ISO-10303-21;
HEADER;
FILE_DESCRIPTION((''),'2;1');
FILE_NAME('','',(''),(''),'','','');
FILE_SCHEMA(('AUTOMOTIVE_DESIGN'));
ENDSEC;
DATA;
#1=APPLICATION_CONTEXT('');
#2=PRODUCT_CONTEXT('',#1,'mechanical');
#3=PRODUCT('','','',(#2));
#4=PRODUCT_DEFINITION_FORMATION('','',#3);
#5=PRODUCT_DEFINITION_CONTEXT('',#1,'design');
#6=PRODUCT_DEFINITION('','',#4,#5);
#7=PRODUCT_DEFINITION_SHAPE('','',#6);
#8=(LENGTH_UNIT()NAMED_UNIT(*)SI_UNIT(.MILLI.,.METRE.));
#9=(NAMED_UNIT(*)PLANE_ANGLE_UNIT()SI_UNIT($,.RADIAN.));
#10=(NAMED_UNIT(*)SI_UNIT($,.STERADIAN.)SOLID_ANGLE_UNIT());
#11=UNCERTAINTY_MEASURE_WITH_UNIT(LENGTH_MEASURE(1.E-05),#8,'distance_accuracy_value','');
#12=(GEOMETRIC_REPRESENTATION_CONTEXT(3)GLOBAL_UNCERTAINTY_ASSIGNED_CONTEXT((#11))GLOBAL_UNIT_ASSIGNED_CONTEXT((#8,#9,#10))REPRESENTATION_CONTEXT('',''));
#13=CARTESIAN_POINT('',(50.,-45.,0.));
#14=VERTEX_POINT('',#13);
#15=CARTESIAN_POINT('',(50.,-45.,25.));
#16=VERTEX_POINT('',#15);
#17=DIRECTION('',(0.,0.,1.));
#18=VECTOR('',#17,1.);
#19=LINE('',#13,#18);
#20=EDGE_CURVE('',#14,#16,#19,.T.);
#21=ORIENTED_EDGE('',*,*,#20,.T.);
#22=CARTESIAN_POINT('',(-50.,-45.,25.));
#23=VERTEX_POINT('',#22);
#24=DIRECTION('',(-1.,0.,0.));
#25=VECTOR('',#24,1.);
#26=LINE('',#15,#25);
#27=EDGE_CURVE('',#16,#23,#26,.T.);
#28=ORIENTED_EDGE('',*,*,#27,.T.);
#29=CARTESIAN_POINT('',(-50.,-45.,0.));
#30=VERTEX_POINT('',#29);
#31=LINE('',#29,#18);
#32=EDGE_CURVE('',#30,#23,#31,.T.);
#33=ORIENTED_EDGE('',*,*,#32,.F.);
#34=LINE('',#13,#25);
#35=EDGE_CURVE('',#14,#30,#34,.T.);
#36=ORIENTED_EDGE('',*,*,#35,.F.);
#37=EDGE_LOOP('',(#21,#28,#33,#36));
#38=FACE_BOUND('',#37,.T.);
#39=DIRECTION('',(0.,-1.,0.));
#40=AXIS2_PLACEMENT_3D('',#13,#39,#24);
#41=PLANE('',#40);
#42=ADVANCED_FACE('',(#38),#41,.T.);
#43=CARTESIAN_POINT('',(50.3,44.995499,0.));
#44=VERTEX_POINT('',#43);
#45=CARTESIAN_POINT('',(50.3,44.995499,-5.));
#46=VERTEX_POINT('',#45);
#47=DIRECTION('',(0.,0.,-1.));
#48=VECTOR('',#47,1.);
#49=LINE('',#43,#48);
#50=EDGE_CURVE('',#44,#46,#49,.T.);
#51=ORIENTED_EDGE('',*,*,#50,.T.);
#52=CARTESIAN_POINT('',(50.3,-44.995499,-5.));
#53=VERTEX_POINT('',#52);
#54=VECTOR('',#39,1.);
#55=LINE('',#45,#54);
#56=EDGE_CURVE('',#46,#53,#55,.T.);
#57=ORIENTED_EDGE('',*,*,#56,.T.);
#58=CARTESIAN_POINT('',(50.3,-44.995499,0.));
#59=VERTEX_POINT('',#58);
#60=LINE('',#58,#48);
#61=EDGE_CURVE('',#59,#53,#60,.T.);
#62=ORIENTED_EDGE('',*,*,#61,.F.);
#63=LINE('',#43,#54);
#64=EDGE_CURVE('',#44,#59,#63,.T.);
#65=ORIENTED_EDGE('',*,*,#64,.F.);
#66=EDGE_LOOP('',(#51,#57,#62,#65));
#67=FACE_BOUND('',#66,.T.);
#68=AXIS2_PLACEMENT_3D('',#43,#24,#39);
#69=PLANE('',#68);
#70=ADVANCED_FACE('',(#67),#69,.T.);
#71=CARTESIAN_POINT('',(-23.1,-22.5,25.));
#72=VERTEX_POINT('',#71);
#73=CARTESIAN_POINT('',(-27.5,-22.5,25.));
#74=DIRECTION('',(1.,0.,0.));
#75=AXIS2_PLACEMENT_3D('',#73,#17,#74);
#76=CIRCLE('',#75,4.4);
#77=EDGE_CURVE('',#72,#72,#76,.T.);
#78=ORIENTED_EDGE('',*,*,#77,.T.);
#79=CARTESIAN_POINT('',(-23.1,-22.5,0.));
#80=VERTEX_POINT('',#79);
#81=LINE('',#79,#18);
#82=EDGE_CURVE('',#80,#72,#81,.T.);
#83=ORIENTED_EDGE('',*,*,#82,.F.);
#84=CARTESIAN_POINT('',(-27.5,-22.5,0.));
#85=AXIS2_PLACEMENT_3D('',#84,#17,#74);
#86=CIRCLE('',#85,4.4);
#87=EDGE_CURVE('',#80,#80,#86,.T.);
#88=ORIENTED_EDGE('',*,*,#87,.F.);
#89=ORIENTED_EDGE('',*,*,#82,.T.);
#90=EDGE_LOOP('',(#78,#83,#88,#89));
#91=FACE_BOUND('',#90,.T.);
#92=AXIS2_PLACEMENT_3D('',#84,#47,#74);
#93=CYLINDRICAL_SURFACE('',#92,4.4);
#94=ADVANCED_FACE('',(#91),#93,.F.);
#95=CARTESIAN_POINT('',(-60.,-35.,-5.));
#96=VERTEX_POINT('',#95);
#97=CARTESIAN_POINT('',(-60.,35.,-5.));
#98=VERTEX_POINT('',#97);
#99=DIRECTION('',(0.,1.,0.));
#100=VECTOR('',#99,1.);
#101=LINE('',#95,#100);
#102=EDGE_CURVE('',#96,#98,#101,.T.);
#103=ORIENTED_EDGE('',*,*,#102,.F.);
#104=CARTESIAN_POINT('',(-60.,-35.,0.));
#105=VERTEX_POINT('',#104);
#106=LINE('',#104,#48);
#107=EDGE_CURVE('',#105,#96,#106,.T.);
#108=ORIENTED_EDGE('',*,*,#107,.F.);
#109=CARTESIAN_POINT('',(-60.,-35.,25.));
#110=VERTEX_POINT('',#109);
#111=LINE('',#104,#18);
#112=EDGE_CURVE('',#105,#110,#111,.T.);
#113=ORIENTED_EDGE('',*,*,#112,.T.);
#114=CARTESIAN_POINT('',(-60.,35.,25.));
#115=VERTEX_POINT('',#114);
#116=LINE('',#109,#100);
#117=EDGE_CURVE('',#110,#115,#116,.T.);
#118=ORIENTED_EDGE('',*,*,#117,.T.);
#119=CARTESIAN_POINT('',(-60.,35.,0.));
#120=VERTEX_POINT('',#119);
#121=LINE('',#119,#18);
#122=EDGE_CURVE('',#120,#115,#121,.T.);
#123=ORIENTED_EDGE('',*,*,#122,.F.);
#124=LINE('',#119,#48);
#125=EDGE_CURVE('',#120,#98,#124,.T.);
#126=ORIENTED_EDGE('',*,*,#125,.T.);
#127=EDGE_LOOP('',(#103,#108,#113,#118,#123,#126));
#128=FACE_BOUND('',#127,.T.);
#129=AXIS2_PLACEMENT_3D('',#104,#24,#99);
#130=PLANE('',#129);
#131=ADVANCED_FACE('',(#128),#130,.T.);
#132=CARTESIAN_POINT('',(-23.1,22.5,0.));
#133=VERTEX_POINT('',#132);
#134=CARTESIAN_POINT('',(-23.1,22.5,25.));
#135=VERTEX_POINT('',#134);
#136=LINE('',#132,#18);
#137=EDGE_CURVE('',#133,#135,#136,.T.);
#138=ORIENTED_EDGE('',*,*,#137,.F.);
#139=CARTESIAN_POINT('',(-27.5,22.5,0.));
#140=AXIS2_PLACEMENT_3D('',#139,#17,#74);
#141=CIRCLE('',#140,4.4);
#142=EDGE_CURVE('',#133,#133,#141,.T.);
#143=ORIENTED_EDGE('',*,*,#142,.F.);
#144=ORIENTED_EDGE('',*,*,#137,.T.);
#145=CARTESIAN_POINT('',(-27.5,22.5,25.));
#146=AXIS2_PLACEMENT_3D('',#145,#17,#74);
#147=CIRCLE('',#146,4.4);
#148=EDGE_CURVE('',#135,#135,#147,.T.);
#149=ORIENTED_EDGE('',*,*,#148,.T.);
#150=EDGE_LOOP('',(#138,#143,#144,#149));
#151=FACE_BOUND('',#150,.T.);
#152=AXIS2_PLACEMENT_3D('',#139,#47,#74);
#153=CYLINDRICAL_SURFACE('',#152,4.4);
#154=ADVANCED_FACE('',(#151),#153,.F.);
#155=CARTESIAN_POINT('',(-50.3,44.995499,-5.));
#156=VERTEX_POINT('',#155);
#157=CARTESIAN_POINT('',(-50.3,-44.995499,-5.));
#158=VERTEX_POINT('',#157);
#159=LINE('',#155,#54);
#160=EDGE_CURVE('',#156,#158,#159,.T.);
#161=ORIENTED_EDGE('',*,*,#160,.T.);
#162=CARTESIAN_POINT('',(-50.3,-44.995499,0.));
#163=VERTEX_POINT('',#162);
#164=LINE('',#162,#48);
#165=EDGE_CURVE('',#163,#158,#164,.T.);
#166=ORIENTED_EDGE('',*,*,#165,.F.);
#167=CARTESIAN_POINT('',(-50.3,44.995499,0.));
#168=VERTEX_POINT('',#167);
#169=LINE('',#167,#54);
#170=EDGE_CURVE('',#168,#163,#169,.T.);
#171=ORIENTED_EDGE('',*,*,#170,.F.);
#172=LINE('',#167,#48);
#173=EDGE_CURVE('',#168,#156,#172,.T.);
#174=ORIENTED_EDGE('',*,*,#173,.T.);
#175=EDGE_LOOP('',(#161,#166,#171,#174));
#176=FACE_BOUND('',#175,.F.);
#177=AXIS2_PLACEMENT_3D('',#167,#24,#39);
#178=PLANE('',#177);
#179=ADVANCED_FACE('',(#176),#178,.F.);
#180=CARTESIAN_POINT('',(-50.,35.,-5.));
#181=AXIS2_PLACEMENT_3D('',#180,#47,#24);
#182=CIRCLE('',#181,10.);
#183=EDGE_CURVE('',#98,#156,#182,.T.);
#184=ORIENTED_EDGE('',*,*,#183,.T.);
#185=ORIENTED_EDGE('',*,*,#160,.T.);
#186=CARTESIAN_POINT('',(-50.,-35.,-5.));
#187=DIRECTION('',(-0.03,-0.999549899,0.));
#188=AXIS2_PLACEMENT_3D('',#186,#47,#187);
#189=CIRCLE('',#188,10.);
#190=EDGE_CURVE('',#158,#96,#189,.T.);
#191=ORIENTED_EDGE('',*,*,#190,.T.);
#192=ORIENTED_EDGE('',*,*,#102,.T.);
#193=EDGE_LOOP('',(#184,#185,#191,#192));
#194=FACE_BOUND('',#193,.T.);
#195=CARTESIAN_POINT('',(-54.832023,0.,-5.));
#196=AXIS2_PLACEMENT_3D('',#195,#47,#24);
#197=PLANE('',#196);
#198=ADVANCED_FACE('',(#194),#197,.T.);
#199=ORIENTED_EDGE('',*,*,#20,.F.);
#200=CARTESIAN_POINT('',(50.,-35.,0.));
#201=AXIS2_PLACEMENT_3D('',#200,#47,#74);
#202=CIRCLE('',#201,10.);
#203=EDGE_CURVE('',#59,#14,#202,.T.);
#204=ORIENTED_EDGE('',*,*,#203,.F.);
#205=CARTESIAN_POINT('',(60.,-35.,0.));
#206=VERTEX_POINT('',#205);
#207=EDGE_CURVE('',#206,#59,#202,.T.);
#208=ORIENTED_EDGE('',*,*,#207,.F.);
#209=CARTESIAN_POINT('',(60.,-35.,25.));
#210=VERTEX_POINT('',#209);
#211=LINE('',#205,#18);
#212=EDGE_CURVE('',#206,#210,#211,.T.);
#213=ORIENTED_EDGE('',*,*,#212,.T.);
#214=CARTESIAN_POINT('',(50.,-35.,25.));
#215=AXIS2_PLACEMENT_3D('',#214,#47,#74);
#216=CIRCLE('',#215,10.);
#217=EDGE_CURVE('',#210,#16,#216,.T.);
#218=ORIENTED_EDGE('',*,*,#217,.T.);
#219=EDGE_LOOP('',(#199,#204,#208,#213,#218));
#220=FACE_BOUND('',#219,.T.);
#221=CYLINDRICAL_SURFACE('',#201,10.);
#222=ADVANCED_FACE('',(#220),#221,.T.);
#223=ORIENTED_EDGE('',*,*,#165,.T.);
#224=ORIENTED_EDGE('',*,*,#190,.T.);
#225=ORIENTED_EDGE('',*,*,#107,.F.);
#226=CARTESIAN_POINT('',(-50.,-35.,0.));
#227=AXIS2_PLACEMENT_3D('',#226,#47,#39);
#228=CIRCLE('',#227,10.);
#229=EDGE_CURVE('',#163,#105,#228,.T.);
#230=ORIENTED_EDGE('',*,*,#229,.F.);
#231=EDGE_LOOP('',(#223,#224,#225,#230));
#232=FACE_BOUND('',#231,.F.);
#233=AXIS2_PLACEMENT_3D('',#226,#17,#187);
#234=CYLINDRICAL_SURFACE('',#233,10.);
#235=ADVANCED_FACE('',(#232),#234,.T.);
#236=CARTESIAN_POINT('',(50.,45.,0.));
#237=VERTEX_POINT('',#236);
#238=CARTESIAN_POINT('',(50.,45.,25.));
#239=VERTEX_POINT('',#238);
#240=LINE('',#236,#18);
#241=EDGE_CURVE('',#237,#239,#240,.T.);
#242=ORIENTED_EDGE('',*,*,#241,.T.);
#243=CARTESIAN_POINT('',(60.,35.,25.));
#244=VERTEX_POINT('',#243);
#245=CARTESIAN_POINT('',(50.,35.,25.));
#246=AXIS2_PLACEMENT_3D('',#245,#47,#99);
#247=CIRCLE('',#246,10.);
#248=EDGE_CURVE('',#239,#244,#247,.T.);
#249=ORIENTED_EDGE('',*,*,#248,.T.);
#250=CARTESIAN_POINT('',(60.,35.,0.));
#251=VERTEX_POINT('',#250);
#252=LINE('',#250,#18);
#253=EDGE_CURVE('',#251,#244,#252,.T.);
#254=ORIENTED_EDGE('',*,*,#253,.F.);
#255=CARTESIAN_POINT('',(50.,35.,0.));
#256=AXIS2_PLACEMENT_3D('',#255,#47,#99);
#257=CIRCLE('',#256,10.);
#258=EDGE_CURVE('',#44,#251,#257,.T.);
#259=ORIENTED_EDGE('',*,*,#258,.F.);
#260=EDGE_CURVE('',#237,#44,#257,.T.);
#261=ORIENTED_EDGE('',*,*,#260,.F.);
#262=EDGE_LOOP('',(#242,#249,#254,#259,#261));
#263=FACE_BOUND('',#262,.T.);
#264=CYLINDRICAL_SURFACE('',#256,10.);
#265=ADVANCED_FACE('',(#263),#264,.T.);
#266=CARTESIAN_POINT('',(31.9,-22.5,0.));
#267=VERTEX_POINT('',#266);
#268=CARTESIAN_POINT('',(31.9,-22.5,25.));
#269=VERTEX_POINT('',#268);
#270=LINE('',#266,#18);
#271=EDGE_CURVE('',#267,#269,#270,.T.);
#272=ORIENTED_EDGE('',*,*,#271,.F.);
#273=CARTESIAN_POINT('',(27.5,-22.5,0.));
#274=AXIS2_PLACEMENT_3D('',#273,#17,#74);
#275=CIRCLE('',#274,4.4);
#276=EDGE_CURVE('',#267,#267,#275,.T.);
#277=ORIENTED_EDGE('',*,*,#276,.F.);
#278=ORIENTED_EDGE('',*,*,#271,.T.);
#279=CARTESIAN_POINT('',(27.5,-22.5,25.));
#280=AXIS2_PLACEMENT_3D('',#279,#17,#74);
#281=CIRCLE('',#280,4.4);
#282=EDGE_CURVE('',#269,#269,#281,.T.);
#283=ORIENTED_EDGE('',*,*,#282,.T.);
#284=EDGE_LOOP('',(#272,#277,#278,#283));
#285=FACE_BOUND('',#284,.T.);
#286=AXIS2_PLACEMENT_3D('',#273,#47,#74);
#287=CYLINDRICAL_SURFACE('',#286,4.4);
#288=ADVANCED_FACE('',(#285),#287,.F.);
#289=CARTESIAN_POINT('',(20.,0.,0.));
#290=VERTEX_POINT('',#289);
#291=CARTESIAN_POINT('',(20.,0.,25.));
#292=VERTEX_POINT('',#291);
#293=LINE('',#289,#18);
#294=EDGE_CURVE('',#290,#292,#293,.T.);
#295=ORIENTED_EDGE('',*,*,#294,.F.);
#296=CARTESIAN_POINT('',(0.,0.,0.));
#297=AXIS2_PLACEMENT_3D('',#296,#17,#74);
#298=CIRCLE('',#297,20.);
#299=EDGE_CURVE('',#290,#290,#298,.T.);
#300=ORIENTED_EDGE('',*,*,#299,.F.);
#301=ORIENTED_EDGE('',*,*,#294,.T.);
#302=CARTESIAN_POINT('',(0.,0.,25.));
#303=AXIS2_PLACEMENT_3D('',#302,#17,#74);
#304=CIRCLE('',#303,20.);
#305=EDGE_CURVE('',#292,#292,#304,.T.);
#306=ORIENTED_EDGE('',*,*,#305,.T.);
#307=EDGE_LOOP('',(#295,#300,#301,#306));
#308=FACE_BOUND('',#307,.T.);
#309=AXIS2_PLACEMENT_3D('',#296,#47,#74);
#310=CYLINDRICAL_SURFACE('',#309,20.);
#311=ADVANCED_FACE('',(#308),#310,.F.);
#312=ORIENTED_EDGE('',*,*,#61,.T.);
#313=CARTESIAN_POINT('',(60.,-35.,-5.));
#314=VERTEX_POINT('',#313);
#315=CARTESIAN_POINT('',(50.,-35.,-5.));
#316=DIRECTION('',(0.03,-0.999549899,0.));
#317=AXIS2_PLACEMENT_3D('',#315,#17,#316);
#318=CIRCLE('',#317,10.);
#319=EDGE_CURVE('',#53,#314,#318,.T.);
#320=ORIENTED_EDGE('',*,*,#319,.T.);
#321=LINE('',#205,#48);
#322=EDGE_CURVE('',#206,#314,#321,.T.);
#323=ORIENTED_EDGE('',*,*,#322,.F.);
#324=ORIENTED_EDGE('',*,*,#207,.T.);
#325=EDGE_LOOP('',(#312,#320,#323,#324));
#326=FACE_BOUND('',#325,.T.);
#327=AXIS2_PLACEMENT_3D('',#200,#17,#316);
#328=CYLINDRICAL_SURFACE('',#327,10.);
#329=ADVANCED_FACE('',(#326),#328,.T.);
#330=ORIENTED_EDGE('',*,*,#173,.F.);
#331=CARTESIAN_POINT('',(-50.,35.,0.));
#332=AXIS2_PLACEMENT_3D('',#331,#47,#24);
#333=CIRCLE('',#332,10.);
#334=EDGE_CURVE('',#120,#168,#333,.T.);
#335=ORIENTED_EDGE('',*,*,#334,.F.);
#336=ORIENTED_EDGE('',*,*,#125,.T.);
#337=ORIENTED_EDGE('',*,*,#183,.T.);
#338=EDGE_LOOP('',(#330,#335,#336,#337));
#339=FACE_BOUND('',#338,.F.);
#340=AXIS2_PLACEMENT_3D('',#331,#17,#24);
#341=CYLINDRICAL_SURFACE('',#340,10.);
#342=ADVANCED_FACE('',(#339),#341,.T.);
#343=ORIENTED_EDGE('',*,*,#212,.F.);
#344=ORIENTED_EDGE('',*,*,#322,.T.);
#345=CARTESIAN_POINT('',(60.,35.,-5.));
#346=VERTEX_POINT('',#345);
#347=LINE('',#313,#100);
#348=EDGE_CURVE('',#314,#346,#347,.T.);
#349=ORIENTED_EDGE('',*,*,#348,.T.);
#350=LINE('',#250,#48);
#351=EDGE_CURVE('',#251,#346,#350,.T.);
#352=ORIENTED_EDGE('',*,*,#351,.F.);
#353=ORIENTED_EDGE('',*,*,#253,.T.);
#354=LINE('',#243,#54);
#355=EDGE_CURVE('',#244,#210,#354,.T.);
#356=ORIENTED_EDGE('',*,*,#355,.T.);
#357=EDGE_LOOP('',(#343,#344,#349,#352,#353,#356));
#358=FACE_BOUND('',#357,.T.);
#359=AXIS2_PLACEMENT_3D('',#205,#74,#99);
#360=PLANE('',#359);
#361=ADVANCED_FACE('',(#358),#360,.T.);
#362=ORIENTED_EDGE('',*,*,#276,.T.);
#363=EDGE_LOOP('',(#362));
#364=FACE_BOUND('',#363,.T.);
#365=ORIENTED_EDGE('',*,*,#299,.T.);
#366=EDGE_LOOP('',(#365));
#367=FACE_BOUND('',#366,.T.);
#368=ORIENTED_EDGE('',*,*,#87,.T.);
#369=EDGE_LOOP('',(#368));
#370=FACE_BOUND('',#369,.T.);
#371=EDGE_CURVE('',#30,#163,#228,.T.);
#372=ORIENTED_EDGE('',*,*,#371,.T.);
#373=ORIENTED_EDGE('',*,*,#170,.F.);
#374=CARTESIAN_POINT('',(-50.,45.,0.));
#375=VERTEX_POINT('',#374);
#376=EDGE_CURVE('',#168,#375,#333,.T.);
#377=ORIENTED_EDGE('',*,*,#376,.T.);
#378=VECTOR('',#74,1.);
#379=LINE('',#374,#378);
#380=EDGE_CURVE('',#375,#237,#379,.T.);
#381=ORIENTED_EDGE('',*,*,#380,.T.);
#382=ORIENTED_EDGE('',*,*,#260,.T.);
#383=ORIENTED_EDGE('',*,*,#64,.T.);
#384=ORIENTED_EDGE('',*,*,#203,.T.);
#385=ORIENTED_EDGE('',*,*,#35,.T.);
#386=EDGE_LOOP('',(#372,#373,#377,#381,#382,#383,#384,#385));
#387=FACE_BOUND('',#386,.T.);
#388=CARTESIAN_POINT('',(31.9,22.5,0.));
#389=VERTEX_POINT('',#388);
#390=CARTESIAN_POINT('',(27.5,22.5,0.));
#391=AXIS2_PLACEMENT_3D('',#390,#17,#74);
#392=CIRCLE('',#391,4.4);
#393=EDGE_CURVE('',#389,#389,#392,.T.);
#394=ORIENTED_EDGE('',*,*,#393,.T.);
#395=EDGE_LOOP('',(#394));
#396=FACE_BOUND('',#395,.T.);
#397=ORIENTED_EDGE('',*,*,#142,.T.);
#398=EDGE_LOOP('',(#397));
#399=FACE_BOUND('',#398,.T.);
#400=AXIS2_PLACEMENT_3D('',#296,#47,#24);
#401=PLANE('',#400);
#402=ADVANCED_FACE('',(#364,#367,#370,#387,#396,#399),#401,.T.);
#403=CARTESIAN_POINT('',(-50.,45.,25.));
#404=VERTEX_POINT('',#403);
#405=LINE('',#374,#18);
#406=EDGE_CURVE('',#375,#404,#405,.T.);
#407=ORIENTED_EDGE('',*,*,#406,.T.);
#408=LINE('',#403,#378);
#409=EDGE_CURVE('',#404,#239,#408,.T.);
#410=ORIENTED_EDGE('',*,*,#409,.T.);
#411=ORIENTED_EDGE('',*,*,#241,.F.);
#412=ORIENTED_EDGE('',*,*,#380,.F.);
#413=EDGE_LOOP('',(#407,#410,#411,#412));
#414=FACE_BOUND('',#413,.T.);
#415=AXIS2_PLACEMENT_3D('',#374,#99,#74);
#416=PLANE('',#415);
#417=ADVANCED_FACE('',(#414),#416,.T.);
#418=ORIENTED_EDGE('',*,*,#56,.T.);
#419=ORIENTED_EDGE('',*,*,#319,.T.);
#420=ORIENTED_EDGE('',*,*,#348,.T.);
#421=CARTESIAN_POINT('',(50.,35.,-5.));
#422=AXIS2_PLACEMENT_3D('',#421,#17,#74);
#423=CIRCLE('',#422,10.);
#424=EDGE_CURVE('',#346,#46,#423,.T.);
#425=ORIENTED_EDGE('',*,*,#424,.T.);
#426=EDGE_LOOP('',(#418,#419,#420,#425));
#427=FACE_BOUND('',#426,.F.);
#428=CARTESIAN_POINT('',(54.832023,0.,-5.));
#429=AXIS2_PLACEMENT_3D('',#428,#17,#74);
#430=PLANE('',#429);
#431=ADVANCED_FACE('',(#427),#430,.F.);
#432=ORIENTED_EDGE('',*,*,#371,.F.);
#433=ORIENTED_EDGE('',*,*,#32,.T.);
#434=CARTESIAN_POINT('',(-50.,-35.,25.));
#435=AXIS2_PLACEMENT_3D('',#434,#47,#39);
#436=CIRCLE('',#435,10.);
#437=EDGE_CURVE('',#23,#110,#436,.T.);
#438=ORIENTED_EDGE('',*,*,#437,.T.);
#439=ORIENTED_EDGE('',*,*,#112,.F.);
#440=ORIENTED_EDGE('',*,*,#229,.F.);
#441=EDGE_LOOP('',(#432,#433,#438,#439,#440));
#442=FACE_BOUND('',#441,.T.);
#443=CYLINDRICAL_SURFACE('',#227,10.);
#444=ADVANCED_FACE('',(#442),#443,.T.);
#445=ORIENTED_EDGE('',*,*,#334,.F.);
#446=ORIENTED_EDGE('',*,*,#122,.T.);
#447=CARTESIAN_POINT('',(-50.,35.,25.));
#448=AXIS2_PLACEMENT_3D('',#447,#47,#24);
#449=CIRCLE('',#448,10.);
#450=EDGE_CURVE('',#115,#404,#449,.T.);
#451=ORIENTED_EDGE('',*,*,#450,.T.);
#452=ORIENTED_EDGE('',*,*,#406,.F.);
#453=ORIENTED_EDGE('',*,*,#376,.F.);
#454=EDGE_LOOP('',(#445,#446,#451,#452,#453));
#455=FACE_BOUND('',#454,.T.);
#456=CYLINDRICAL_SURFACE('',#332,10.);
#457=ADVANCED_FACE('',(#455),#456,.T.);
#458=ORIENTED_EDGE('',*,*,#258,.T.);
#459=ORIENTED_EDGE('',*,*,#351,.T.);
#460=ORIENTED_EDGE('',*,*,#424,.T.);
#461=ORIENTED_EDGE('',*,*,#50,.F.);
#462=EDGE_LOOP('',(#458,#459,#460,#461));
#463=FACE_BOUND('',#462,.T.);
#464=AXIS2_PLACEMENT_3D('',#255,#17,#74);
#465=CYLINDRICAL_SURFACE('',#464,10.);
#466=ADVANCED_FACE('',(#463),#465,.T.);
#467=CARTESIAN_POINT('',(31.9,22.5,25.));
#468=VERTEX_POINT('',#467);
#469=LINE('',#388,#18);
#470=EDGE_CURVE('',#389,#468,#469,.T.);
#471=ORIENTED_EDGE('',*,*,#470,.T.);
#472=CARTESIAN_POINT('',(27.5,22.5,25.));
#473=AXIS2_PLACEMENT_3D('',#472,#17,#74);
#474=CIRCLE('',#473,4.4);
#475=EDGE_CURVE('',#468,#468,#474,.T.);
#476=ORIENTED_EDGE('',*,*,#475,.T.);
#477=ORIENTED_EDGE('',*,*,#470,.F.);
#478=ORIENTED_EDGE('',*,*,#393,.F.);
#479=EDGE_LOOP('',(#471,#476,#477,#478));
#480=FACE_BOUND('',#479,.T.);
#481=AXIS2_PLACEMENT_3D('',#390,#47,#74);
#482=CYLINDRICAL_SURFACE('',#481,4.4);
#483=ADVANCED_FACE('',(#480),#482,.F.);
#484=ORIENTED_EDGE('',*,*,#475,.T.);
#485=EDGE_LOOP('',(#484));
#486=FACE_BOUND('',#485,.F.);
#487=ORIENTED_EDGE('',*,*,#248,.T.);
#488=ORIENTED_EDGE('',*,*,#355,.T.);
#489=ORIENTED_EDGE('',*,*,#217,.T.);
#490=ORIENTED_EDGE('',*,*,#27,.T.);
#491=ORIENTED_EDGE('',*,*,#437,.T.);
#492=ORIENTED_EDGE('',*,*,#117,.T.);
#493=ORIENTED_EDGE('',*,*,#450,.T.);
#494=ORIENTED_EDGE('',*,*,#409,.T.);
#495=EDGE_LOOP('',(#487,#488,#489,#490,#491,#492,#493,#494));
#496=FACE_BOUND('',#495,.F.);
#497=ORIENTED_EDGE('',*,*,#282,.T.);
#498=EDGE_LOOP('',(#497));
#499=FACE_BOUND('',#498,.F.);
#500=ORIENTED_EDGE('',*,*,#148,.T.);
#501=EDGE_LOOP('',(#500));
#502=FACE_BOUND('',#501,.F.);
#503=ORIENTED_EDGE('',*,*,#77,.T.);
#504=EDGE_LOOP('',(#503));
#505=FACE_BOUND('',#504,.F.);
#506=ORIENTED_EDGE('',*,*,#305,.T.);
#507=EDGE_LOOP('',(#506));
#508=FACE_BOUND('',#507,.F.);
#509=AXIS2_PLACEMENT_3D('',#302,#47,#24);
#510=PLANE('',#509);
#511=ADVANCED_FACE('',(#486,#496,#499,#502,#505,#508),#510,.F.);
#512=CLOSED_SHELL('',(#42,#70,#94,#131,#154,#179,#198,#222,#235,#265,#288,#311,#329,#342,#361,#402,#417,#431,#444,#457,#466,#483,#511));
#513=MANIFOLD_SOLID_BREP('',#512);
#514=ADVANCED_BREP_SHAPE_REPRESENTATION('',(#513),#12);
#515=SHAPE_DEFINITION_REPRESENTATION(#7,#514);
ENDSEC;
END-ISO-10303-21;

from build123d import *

# Parameters (mm, degrees)
SKETCH1_R           = 4.4
SKETCH1_R_2         = 20
BOSS_EXTRUDE1_DEPTH = 25
BOSS_EXTRUDE2_DEPTH = 5


with BuildPart() as part:
    # Sketch1 → Boss-Extrude1 (new body)
    with BuildSketch(Plane.XY):
        with BuildLine():
            Line((-50, 45), (50, 45))
            ThreePointArc((50, 45), (57.071067812, 42.071067812), (60, 35))
            Line((60, 35), (60, -35))
            ThreePointArc((60, -35), (57.071067812, -42.071067812), (50, -45))
            Line((50, -45), (-50, -45))
            ThreePointArc((-50, -45), (-57.071067812, -42.071067812), (-60, -35))
            Line((-60, -35), (-60, 35))
            ThreePointArc((-60, 35), (-57.071067812, 42.071067812), (-50, 45))
        make_face()
        with Locations((-27.5, 22.5)):
            Circle(SKETCH1_R, mode=Mode.SUBTRACT)
        with Locations((27.5, 22.5)):
            Circle(SKETCH1_R, mode=Mode.SUBTRACT)
        with Locations((-27.5, -22.5)):
            Circle(SKETCH1_R, mode=Mode.SUBTRACT)
        with Locations((27.5, -22.5)):
            Circle(SKETCH1_R, mode=Mode.SUBTRACT)
        Circle(SKETCH1_R_2, mode=Mode.SUBTRACT)
    extrude(amount=BOSS_EXTRUDE1_DEPTH)

    # Sketch2 → Boss-Extrude2 (add)
    with BuildSketch(Plane(origin=(0, 0, 0), x_dir=(-1, 0, 0), z_dir=(0, 0, -1))):
        with BuildLine():
            Line((-50.3, 44.995498987), (-50.3, -44.995498987))
            ThreePointArc((-50.3, -44.995498987), (-57.176350047, -41.964194139), (-60, -35))
            Line((-60, -35), (-60, 35))
            ThreePointArc((-60, 35), (-57.176350047, 41.964194139), (-50.3, 44.995498987))
        make_face()
        with BuildLine():
            Line((60, -35), (60, 35))
            ThreePointArc((60, 35), (57.176350047, 41.964194139), (50.3, 44.995498987))
            Line((50.3, 44.995498987), (50.3, -44.995498987))
            ThreePointArc((50.3, -44.995498987), (57.176350047, -41.964194139), (60, -35))
        make_face()
    extrude(amount=BOSS_EXTRUDE2_DEPTH)


solid = part.part
